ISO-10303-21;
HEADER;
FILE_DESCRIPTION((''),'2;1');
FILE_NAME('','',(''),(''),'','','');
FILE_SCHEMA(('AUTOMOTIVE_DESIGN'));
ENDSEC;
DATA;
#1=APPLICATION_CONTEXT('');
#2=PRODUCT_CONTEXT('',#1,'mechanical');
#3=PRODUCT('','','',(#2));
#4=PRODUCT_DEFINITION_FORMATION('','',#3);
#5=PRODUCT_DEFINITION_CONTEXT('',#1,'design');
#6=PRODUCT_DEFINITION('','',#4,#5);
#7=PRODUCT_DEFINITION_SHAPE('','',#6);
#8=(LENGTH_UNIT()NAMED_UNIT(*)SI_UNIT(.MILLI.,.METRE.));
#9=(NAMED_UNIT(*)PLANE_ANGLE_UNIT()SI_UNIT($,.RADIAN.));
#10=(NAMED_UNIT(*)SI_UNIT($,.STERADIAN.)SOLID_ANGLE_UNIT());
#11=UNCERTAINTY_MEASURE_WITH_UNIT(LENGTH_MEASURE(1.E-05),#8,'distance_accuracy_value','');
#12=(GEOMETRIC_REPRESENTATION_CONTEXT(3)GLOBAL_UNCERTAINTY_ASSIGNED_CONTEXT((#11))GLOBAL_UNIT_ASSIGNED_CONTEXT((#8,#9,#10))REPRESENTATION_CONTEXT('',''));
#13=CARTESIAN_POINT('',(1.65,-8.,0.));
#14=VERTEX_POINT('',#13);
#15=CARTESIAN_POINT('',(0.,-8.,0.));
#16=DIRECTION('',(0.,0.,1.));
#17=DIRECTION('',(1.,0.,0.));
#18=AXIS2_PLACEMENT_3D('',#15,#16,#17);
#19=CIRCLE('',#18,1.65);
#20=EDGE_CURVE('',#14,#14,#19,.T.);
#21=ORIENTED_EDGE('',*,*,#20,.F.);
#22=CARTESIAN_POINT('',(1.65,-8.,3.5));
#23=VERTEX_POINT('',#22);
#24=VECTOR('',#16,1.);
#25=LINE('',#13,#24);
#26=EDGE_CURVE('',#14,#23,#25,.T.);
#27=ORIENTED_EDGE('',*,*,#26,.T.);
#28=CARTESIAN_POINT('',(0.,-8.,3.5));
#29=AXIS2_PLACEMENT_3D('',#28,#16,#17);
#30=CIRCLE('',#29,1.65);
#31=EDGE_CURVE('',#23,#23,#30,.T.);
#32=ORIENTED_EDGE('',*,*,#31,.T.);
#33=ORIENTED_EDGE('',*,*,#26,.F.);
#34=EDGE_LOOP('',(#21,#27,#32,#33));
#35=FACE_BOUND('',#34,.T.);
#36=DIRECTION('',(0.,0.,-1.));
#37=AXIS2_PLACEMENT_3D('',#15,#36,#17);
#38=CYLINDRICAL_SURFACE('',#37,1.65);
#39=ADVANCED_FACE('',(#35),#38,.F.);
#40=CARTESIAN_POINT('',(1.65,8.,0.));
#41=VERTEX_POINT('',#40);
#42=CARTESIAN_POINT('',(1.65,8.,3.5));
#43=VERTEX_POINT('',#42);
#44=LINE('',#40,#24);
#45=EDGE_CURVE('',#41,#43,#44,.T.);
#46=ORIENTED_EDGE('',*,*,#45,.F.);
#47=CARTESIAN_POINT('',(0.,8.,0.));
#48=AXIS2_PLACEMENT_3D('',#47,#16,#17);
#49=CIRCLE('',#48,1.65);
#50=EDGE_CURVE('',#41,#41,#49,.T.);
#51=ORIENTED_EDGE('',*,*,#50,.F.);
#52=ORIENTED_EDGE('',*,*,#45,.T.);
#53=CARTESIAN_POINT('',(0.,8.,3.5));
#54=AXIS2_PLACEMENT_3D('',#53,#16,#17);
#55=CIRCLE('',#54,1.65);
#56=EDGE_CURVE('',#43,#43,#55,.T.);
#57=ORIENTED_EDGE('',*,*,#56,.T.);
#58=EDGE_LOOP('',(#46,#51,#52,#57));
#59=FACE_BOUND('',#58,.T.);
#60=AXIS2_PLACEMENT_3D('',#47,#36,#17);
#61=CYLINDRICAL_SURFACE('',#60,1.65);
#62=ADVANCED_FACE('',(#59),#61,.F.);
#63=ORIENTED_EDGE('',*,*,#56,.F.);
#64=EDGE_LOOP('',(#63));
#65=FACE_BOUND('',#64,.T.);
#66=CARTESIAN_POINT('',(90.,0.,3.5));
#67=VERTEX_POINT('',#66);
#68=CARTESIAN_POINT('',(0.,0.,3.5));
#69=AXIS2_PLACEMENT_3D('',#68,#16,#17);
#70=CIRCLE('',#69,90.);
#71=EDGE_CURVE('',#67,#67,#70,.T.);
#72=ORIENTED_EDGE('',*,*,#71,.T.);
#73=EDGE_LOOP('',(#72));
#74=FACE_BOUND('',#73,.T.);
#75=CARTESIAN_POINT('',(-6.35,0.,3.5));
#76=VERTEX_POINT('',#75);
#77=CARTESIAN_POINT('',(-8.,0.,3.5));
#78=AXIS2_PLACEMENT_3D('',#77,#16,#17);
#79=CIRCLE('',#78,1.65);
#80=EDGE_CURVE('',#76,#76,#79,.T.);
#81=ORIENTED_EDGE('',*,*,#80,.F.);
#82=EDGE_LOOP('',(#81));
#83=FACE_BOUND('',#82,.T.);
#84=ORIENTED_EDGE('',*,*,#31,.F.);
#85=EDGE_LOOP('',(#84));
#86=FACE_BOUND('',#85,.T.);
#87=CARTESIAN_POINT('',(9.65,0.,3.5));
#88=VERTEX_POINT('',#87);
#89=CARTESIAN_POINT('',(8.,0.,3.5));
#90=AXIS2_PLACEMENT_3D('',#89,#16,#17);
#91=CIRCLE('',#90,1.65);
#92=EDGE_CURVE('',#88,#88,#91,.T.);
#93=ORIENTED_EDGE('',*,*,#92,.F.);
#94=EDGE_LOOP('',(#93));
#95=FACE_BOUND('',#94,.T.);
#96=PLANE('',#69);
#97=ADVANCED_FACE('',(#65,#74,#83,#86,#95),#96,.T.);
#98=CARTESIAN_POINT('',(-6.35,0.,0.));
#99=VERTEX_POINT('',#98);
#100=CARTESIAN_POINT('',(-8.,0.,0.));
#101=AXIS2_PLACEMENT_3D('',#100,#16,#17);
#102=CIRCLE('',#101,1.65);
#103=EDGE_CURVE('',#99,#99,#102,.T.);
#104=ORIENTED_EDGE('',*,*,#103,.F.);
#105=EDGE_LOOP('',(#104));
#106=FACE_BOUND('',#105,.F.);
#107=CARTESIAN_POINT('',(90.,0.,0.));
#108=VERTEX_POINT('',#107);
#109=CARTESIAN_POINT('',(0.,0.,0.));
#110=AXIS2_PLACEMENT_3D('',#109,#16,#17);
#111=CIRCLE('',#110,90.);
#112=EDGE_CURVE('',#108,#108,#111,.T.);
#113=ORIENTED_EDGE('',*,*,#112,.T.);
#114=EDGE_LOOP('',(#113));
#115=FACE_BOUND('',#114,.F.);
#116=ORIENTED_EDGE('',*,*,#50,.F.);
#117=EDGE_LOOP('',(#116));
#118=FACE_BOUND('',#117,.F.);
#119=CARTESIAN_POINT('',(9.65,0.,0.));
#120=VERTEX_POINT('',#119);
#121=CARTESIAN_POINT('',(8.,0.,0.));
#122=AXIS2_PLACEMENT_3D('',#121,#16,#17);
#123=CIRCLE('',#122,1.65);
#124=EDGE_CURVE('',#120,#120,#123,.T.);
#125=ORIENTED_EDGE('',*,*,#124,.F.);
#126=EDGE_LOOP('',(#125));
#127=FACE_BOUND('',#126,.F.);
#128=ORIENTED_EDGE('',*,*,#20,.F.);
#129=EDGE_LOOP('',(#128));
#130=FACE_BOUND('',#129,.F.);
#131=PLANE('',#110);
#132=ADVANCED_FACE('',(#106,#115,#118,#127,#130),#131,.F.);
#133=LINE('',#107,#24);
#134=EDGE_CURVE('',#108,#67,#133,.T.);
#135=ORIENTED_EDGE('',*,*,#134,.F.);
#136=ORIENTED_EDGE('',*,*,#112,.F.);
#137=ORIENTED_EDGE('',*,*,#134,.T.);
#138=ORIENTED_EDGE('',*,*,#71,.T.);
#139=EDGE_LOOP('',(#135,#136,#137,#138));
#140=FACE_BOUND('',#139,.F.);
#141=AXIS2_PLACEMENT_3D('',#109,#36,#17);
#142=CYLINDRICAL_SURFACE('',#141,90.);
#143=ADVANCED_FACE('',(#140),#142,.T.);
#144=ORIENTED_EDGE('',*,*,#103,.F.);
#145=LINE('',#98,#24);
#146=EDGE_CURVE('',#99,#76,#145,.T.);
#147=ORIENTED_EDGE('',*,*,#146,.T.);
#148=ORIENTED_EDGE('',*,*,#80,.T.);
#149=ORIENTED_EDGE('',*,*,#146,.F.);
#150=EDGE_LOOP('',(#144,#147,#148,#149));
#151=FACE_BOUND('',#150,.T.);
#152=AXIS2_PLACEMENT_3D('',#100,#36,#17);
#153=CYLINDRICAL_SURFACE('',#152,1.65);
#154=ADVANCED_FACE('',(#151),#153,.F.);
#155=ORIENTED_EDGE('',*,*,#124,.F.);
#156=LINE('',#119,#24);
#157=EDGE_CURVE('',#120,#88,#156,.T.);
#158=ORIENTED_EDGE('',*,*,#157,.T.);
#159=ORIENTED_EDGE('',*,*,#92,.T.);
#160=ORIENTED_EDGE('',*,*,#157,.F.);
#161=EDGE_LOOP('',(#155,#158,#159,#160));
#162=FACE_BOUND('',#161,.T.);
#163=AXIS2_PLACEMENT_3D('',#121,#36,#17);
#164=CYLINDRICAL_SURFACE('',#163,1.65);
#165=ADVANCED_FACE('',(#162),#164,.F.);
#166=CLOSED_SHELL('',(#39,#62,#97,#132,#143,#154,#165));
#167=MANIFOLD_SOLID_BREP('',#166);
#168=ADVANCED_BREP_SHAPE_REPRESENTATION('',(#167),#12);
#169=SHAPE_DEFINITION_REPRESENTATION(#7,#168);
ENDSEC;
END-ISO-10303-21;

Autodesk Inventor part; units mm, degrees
ref_plane "YZ Plane" through (0, 0, 0) normal (1, 0, 0) x (0, 1, 0)
ref_plane "XZ Plane" through (0, 0, 0) normal (0, 1, 0) x (-1, 0, 0)
ref_plane "XY Plane" through (0, 0, 0) normal (0, 0, 1) x (1, 0, 0)
sketch "Sketch1" plane through (0, 0, 0) normal (0, 0, 1) x (1, 0, 0)
  circle A0 centre (0, 0) radius 90
  circle A1 centre (0, 8) radius 1.65
  circle A2 centre (-8, 0) radius 1.65
  circle A3 centre (0, -8) radius 1.65
  circle A4 centre (8, 0) radius 1.65
  dimension "d0" = 180
  dimension "d1" = 3.3
  dimension "d2" = 8
  dimension "d5" = 360
extrude "Extrusion1" add sketch "Sketch1" along normal blind 3.5
equation "\"BendRadius\" = Thickness"
equation "\"BendReliefWidth\" = Thickness"
equation "\"BendReliefDepth\" = 0.5 * Thickness"
equation "\"CornerReliefSize\" = 4 * Thickness"
equation "\"MinimumRemnant\" = 2 * Thickness"
equation "\"TransitionRadius\" = BendRadius"
equation "\"JacobiRadiusSize\" = BendRadius"
equation "\"GapSize\" = Thickness"
equation "\"Thickness\" = 0.5"
properties part number "bàn xoay"
